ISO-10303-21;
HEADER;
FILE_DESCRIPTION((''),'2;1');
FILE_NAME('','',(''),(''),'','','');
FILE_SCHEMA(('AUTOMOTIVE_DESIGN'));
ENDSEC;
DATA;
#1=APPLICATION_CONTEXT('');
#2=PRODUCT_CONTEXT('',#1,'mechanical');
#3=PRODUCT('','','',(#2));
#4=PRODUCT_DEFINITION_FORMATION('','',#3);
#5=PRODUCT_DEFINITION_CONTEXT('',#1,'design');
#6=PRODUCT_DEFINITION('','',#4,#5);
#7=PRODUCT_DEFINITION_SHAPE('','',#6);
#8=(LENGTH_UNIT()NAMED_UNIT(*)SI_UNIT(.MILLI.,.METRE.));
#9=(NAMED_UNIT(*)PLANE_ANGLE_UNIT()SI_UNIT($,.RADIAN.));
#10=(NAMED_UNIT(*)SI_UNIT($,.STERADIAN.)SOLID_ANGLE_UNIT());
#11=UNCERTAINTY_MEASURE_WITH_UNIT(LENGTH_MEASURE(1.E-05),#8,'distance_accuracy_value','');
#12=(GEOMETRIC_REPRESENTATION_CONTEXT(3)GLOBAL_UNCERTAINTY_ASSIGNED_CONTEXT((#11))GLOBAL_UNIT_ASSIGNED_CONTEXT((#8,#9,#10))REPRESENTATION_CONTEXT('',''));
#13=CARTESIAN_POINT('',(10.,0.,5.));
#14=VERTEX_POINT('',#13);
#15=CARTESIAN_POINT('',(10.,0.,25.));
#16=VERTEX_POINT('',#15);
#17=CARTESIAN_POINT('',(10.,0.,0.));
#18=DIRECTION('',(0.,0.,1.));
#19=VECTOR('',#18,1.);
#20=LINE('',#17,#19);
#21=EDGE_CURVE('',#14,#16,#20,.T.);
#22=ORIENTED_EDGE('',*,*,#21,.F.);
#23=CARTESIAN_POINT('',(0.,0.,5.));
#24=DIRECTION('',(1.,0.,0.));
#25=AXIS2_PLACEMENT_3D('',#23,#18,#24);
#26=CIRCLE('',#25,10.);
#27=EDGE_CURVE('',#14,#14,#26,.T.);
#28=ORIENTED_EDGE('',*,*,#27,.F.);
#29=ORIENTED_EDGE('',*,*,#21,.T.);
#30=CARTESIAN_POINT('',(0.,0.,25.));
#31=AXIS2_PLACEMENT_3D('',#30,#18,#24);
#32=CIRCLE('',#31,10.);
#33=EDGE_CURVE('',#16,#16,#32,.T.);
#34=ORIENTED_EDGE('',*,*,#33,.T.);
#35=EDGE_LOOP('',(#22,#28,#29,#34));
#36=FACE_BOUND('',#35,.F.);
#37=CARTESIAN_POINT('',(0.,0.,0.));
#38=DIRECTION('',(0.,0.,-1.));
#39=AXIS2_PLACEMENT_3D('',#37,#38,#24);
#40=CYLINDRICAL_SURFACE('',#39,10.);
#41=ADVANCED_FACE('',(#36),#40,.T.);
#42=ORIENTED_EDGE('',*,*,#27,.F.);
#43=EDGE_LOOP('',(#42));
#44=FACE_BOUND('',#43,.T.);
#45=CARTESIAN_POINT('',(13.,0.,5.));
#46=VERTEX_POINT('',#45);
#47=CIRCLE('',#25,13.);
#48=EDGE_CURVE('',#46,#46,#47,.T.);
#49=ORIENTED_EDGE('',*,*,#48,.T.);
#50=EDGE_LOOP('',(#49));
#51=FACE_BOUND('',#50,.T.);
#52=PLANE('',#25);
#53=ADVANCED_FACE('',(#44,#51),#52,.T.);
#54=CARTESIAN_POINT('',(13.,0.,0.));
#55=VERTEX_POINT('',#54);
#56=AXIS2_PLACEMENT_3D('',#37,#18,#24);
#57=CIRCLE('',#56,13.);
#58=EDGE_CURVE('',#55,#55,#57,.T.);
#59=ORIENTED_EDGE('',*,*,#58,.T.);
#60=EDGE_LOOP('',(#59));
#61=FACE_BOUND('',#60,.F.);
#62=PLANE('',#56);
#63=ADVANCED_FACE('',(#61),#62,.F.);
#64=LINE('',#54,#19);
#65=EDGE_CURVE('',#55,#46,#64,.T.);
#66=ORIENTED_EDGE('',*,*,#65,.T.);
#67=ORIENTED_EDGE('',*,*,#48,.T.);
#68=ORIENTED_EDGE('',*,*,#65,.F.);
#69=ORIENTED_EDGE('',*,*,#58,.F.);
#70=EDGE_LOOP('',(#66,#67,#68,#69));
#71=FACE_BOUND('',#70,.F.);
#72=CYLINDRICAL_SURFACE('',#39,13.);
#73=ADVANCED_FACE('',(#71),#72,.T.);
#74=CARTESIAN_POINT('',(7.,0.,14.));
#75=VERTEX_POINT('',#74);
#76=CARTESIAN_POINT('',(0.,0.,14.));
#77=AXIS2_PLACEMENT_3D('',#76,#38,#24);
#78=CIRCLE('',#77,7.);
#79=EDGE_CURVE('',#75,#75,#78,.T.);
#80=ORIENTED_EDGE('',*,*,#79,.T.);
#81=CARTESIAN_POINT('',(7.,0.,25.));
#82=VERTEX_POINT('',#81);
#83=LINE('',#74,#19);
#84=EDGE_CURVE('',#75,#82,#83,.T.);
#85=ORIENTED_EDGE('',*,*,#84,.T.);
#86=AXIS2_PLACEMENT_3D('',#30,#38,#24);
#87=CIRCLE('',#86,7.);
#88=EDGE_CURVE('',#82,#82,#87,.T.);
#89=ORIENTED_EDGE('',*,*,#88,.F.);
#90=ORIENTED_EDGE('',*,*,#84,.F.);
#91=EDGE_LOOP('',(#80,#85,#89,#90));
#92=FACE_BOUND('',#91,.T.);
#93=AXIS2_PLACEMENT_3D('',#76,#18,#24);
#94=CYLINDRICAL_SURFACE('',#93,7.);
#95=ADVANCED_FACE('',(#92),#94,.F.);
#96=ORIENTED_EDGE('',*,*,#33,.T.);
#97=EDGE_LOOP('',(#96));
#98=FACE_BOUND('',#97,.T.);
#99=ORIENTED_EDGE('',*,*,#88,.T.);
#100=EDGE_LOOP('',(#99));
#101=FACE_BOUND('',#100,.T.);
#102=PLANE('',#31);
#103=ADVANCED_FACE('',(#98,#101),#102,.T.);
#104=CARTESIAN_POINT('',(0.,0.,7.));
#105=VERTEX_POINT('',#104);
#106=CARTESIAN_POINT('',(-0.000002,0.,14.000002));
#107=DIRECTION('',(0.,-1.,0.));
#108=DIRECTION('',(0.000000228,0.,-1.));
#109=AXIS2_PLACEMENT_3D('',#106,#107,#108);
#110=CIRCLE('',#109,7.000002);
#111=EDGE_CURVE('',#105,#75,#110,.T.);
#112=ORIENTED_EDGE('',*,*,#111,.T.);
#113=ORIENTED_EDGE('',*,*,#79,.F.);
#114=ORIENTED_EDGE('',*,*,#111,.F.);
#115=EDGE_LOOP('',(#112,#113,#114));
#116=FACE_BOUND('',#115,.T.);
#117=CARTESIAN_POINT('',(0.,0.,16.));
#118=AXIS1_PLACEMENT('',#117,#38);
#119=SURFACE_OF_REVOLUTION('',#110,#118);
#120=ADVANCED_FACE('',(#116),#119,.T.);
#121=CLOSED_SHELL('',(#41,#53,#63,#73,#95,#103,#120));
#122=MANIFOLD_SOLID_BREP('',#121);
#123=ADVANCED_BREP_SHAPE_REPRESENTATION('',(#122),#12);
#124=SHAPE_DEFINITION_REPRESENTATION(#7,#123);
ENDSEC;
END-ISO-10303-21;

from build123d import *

# Parameters (mm, degrees)
F0_R     = 10
F0_R_2   = 13
F1_DEPTH = 5
F2_DEPTH = 25


with BuildPart() as f1:
    # F0 (on Top) → F1 (new body)
    with BuildSketch(Plane.XY):
        Circle(F0_R)
        Circle(F0_R_2)
        Circle(F0_R, mode=Mode.SUBTRACT)
    extrude(amount=F1_DEPTH)

    # F0 (on Top) → F2 (join)
    with BuildSketch(Plane.XY):
        Circle(F0_R)
    extrude(amount=F2_DEPTH)

    # F3 (on Front) → F4 (revolve, cut)
    with BuildSketch(Plane.XZ):
        with BuildLine():
            Line((7, 25), (0, 25))
            Line((0, 25), (0, 7))
            ThreePointArc((0, 7), (4.949747, 9.050253), (7, 14))
            Line((7, 14), (7, 25))
        make_face()
    revolve(axis=Axis((0, 0, 16), (0, 0, -1)), mode=Mode.SUBTRACT)


solid = f1.part
